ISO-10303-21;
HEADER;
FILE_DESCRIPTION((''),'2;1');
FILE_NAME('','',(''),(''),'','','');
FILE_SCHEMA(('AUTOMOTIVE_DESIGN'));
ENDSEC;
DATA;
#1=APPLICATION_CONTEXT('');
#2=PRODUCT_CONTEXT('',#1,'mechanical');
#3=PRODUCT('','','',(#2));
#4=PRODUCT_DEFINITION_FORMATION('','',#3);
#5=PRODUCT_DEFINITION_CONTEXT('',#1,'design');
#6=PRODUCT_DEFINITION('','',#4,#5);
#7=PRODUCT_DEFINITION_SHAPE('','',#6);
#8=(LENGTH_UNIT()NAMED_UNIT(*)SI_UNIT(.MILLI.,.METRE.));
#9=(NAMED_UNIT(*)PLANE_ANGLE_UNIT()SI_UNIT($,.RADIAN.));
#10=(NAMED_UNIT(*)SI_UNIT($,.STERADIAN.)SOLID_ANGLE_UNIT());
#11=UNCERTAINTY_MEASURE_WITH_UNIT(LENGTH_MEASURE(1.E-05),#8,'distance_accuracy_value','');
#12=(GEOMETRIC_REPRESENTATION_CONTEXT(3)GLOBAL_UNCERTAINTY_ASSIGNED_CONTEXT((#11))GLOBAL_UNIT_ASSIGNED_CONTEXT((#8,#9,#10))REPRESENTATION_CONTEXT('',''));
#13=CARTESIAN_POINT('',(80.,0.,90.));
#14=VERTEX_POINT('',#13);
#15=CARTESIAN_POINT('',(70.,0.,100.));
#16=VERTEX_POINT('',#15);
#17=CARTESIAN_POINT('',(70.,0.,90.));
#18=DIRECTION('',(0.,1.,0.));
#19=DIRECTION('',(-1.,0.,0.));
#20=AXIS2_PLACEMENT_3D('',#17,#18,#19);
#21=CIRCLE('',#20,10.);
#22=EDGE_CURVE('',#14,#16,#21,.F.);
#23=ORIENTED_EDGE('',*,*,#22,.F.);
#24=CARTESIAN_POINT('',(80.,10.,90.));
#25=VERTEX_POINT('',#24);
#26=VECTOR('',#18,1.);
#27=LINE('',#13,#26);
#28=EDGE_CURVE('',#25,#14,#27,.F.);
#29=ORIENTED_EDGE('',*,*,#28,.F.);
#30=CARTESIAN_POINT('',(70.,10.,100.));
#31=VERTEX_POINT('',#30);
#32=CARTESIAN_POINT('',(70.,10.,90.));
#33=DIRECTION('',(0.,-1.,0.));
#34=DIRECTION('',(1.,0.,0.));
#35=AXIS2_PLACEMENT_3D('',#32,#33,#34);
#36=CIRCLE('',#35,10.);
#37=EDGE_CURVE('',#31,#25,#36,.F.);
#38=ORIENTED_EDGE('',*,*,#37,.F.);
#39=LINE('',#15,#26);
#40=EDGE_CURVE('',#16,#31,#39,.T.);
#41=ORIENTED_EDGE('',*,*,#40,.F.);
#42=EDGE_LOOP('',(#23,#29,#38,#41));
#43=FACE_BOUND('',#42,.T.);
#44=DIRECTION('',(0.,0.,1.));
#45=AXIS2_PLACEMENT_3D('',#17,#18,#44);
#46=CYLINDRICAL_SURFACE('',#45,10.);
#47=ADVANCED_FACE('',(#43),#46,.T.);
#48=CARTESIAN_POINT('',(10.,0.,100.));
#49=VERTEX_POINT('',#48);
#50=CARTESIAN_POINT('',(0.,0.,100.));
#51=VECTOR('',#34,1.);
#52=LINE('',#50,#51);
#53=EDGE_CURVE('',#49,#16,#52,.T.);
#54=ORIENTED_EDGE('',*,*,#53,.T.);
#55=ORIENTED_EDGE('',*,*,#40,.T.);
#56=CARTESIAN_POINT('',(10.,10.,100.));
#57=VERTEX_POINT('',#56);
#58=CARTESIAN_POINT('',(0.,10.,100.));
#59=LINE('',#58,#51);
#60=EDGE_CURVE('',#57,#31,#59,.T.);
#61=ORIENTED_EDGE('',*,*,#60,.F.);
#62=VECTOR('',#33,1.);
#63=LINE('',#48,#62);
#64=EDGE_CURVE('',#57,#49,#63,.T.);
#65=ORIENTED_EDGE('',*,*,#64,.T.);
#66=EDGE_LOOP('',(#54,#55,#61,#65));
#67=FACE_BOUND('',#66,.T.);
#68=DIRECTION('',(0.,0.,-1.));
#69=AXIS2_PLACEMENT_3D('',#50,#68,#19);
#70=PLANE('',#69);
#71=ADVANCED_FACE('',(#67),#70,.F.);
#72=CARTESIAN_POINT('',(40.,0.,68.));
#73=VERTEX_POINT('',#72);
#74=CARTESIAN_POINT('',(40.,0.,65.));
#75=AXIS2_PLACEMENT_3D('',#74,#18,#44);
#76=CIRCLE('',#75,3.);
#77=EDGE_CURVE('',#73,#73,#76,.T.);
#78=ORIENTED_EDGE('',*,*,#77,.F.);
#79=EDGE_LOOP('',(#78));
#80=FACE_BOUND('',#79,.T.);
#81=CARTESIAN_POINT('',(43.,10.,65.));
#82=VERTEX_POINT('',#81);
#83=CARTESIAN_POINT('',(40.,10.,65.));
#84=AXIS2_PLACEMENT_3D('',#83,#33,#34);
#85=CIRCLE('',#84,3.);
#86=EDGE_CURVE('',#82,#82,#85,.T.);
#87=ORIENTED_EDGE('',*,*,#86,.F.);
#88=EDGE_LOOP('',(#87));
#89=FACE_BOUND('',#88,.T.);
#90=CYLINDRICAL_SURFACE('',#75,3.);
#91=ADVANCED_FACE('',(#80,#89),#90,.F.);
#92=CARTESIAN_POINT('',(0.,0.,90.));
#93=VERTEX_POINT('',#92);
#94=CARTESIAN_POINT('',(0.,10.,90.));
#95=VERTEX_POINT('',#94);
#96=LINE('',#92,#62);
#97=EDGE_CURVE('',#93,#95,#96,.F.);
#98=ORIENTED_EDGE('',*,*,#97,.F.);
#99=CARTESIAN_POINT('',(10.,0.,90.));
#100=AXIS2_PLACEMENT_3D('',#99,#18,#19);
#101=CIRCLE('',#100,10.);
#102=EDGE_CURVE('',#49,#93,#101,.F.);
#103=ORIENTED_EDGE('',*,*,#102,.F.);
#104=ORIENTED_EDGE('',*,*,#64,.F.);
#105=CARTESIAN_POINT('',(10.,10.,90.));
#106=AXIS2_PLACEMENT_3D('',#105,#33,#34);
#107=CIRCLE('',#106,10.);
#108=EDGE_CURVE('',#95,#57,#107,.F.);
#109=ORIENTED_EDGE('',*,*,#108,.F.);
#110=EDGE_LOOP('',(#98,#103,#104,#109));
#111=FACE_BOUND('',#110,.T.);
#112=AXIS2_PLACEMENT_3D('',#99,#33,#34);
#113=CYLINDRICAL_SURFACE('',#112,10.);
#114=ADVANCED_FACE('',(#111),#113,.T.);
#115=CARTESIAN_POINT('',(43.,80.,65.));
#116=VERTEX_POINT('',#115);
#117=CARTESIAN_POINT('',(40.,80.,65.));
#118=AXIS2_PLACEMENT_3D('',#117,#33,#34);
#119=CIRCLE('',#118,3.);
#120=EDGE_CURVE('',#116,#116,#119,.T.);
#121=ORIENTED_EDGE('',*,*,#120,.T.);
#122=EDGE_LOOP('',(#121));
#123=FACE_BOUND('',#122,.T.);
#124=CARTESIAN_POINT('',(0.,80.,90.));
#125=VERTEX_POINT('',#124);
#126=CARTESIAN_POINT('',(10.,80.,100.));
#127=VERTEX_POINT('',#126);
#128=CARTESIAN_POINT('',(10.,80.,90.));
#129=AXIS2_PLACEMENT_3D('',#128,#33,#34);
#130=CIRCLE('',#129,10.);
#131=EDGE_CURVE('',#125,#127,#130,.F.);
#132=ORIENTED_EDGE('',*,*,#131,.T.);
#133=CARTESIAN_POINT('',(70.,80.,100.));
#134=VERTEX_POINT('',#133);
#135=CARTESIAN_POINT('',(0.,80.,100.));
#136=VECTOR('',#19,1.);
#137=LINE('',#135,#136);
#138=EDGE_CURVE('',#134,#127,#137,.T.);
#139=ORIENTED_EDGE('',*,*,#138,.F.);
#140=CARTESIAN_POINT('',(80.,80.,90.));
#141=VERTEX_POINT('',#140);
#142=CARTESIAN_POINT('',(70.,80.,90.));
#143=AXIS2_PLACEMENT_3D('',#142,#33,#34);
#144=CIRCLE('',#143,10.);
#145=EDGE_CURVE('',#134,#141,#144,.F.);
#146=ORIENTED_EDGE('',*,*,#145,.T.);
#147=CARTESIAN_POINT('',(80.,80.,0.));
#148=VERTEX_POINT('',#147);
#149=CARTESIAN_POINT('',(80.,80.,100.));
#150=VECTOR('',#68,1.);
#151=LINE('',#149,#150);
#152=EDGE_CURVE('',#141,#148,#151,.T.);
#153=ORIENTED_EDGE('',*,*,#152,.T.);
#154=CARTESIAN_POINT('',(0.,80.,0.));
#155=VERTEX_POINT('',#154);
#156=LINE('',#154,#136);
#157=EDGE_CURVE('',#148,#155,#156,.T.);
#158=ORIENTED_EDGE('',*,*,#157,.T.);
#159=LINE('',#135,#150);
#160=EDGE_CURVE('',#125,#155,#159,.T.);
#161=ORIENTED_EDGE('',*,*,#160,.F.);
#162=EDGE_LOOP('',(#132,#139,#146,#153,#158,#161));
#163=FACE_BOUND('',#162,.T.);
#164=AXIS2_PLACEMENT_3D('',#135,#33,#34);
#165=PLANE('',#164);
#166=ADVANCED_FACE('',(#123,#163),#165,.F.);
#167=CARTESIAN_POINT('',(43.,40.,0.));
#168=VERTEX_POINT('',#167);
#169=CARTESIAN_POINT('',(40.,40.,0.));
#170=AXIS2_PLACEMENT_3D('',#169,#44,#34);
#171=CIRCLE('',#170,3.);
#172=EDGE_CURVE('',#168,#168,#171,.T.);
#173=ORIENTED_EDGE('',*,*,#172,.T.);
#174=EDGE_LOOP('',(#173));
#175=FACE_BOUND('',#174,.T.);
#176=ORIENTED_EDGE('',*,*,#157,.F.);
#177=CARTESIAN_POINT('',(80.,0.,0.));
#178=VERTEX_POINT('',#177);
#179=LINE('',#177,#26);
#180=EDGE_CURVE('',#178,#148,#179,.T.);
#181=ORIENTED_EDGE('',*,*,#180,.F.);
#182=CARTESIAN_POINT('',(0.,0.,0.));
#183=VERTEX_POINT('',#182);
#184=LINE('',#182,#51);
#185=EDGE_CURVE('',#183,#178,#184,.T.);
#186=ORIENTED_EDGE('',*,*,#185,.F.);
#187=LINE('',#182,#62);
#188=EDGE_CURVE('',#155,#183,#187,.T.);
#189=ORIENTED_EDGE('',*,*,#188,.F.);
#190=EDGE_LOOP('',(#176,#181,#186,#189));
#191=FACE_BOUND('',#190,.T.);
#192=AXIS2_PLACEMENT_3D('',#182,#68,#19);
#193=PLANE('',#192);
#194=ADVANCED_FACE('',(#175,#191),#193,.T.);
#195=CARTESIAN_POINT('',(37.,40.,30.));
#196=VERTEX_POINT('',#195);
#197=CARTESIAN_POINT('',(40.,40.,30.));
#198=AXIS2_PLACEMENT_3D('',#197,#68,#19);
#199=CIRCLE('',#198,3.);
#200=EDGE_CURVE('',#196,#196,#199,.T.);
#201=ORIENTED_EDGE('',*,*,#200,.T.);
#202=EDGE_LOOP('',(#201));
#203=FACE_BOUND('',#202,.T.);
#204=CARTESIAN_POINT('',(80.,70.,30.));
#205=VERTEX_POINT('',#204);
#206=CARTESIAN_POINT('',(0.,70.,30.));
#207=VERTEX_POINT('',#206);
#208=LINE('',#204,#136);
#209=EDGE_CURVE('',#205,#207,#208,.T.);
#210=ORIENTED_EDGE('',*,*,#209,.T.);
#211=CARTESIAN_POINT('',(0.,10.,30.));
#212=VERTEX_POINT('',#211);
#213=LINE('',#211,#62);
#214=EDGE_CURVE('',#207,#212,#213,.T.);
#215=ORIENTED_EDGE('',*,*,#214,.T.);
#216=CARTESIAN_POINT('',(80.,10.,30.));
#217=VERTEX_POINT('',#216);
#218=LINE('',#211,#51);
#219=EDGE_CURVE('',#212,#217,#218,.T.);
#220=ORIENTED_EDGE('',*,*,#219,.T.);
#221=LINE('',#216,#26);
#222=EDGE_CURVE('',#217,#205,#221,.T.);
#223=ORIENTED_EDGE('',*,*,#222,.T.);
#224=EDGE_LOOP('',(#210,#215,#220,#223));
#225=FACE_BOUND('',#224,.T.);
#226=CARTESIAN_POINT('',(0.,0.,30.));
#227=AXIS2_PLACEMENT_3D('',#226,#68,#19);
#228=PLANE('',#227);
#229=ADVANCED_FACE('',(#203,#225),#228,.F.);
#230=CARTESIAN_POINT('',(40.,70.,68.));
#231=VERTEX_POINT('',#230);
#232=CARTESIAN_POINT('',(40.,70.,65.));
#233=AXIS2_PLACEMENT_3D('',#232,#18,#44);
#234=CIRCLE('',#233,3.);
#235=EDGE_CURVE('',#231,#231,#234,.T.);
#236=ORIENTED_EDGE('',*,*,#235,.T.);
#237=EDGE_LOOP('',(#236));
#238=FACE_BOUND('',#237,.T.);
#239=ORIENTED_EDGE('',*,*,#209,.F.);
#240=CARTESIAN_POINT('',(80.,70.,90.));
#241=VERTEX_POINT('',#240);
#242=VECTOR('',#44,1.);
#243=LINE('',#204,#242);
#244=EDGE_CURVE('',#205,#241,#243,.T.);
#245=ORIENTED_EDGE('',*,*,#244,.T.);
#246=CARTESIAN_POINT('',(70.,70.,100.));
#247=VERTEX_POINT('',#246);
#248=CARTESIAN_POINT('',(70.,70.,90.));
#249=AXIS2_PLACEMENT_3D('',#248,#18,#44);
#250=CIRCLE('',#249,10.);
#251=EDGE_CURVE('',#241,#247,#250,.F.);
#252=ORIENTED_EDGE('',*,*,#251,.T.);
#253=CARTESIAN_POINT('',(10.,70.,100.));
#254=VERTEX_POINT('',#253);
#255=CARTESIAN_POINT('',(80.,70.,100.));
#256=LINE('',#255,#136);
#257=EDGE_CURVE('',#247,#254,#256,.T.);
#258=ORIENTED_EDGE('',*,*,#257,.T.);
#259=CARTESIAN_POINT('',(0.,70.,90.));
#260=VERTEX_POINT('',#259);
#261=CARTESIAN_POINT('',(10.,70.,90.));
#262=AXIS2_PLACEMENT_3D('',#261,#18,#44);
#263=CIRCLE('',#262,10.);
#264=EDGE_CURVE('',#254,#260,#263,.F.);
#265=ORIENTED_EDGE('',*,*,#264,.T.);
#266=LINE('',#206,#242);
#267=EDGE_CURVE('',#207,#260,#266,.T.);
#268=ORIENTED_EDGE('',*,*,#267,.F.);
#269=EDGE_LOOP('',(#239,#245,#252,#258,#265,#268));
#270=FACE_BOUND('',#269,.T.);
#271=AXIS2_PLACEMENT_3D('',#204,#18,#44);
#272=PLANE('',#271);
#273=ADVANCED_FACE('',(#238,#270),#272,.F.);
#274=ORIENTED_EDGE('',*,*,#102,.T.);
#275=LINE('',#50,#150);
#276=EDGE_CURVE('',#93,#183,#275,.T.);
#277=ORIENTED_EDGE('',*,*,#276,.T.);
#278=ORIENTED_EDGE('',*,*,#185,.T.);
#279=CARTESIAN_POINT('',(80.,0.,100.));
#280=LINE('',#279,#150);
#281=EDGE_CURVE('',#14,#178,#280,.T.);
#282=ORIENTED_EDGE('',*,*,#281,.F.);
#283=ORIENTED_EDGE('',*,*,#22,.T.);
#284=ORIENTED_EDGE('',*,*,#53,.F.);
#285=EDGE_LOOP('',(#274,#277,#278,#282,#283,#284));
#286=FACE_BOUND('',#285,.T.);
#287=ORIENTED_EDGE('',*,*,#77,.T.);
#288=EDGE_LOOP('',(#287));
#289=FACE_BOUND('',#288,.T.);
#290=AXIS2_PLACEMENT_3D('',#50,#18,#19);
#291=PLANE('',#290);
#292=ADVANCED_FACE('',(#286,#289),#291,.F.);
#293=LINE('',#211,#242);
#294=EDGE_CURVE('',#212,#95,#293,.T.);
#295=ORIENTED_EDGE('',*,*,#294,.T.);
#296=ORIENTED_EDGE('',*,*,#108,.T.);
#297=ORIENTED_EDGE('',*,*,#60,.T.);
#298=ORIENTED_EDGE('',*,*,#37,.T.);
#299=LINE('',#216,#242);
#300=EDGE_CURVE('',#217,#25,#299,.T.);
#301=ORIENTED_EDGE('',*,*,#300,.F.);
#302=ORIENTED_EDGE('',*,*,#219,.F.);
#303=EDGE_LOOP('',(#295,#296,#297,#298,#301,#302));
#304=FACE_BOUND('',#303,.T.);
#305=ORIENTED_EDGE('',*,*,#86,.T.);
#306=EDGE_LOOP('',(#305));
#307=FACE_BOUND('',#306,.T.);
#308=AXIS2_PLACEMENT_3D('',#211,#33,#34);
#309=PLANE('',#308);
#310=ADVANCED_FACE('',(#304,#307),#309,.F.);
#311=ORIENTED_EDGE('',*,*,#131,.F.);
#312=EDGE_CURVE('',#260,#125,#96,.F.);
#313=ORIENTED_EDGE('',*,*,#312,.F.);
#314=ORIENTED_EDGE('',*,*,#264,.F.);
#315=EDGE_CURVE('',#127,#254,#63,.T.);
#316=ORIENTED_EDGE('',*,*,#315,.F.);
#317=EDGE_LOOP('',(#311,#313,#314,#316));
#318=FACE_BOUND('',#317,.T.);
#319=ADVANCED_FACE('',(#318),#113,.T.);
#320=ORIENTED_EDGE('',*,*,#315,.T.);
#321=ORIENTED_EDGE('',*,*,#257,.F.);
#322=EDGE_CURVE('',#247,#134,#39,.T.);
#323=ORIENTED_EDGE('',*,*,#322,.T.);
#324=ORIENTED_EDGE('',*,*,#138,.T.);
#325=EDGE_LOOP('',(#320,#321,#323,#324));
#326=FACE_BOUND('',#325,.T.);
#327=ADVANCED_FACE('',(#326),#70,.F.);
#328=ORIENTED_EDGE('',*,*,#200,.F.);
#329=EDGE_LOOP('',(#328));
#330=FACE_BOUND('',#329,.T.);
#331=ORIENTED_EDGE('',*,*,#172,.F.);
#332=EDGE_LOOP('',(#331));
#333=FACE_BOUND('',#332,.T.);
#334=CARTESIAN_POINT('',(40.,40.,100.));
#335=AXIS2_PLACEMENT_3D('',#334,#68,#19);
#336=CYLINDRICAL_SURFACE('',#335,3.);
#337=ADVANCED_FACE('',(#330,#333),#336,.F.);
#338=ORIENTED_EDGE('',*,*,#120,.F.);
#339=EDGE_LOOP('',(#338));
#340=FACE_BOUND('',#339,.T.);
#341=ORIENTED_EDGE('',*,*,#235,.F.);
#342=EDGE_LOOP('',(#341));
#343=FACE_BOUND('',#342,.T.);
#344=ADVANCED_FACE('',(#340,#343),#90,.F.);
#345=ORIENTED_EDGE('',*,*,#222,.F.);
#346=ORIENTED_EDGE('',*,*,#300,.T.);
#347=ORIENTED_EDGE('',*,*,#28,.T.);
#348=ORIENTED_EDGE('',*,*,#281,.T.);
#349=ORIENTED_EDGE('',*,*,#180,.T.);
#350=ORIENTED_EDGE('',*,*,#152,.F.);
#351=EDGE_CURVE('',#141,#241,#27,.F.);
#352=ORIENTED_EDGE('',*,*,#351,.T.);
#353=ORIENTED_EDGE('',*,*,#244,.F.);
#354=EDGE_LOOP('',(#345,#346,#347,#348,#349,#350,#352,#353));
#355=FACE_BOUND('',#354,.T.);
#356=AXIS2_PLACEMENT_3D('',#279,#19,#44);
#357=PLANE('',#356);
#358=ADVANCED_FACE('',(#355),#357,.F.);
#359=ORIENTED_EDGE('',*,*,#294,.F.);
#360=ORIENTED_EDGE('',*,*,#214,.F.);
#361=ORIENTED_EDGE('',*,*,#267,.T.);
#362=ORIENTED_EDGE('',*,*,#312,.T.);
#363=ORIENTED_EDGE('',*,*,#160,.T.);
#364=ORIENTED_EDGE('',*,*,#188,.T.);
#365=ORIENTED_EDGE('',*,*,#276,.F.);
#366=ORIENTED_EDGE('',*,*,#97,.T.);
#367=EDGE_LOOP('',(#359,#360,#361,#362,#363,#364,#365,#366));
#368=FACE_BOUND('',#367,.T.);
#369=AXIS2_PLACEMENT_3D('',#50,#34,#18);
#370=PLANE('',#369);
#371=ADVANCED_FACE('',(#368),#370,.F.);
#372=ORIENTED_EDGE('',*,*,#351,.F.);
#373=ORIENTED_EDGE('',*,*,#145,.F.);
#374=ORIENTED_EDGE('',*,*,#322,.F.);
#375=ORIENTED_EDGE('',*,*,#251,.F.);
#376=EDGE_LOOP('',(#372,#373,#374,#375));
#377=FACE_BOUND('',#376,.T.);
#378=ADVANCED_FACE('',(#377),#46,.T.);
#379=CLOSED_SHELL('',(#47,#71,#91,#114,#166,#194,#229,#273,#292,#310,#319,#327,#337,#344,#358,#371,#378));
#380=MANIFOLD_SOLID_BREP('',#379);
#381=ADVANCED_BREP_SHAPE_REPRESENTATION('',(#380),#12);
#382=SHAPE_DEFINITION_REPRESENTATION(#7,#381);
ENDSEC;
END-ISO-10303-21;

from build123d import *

# Parameters (mm, degrees)
SKETCH1_W               = 80
SKETCH1_H               = 80
SKETCH1_R               = 3
BOSS_EXTRUDE1_DEPTH     = 100
SKETCH2_W               = 80
SKETCH2_H               = 60
CUT_EXTRUDE1_DEPTH      = 70
SKETCH3_R               = 3
CUT_EXTRUDE2_DEPTH      = 1
CUT_EXTRUDE2_DEPTH_BACK = 81
FILLET1_R               = 10


with BuildPart() as part:
    # Sketch1 → Boss-Extrude1 (new body)
    with BuildSketch(Plane.XY):
        with Locations((40, 40)):
            Rectangle(SKETCH1_W, SKETCH1_H)
        with Locations((40, 40)):
            Circle(SKETCH1_R, mode=Mode.SUBTRACT)
    extrude(amount=BOSS_EXTRUDE1_DEPTH)

    # Sketch2 → Cut-Extrude1 (cut)
    with BuildSketch(Plane.XY.offset(100)):
        with Locations((40, 40)):
            Rectangle(SKETCH2_W, SKETCH2_H)
    extrude(amount=-CUT_EXTRUDE1_DEPTH, mode=Mode.SUBTRACT)

    # Sketch3 → Cut-Extrude2 (cut, two sides)
    with BuildSketch(Plane(origin=(0, 80, 0), x_dir=(1, 0, 0), z_dir=(0, 1, 0))) as cut_extrude2_sk:
        with Locations((40, -65)):
            Circle(SKETCH3_R)
    extrude(amount=CUT_EXTRUDE2_DEPTH, mode=Mode.SUBTRACT)
    extrude(cut_extrude2_sk.sketch, amount=-CUT_EXTRUDE2_DEPTH_BACK, mode=Mode.SUBTRACT)

    # Fillet1
    fillet1_edges = [part.edges().sort_by_distance(p)[0] for p in [
        (80, 5, 100),
        (80, 75, 100),
        (0, 5, 100),
        (0, 75, 100),
    ]]
    fillet(fillet1_edges, radius=FILLET1_R)


solid = part.part
